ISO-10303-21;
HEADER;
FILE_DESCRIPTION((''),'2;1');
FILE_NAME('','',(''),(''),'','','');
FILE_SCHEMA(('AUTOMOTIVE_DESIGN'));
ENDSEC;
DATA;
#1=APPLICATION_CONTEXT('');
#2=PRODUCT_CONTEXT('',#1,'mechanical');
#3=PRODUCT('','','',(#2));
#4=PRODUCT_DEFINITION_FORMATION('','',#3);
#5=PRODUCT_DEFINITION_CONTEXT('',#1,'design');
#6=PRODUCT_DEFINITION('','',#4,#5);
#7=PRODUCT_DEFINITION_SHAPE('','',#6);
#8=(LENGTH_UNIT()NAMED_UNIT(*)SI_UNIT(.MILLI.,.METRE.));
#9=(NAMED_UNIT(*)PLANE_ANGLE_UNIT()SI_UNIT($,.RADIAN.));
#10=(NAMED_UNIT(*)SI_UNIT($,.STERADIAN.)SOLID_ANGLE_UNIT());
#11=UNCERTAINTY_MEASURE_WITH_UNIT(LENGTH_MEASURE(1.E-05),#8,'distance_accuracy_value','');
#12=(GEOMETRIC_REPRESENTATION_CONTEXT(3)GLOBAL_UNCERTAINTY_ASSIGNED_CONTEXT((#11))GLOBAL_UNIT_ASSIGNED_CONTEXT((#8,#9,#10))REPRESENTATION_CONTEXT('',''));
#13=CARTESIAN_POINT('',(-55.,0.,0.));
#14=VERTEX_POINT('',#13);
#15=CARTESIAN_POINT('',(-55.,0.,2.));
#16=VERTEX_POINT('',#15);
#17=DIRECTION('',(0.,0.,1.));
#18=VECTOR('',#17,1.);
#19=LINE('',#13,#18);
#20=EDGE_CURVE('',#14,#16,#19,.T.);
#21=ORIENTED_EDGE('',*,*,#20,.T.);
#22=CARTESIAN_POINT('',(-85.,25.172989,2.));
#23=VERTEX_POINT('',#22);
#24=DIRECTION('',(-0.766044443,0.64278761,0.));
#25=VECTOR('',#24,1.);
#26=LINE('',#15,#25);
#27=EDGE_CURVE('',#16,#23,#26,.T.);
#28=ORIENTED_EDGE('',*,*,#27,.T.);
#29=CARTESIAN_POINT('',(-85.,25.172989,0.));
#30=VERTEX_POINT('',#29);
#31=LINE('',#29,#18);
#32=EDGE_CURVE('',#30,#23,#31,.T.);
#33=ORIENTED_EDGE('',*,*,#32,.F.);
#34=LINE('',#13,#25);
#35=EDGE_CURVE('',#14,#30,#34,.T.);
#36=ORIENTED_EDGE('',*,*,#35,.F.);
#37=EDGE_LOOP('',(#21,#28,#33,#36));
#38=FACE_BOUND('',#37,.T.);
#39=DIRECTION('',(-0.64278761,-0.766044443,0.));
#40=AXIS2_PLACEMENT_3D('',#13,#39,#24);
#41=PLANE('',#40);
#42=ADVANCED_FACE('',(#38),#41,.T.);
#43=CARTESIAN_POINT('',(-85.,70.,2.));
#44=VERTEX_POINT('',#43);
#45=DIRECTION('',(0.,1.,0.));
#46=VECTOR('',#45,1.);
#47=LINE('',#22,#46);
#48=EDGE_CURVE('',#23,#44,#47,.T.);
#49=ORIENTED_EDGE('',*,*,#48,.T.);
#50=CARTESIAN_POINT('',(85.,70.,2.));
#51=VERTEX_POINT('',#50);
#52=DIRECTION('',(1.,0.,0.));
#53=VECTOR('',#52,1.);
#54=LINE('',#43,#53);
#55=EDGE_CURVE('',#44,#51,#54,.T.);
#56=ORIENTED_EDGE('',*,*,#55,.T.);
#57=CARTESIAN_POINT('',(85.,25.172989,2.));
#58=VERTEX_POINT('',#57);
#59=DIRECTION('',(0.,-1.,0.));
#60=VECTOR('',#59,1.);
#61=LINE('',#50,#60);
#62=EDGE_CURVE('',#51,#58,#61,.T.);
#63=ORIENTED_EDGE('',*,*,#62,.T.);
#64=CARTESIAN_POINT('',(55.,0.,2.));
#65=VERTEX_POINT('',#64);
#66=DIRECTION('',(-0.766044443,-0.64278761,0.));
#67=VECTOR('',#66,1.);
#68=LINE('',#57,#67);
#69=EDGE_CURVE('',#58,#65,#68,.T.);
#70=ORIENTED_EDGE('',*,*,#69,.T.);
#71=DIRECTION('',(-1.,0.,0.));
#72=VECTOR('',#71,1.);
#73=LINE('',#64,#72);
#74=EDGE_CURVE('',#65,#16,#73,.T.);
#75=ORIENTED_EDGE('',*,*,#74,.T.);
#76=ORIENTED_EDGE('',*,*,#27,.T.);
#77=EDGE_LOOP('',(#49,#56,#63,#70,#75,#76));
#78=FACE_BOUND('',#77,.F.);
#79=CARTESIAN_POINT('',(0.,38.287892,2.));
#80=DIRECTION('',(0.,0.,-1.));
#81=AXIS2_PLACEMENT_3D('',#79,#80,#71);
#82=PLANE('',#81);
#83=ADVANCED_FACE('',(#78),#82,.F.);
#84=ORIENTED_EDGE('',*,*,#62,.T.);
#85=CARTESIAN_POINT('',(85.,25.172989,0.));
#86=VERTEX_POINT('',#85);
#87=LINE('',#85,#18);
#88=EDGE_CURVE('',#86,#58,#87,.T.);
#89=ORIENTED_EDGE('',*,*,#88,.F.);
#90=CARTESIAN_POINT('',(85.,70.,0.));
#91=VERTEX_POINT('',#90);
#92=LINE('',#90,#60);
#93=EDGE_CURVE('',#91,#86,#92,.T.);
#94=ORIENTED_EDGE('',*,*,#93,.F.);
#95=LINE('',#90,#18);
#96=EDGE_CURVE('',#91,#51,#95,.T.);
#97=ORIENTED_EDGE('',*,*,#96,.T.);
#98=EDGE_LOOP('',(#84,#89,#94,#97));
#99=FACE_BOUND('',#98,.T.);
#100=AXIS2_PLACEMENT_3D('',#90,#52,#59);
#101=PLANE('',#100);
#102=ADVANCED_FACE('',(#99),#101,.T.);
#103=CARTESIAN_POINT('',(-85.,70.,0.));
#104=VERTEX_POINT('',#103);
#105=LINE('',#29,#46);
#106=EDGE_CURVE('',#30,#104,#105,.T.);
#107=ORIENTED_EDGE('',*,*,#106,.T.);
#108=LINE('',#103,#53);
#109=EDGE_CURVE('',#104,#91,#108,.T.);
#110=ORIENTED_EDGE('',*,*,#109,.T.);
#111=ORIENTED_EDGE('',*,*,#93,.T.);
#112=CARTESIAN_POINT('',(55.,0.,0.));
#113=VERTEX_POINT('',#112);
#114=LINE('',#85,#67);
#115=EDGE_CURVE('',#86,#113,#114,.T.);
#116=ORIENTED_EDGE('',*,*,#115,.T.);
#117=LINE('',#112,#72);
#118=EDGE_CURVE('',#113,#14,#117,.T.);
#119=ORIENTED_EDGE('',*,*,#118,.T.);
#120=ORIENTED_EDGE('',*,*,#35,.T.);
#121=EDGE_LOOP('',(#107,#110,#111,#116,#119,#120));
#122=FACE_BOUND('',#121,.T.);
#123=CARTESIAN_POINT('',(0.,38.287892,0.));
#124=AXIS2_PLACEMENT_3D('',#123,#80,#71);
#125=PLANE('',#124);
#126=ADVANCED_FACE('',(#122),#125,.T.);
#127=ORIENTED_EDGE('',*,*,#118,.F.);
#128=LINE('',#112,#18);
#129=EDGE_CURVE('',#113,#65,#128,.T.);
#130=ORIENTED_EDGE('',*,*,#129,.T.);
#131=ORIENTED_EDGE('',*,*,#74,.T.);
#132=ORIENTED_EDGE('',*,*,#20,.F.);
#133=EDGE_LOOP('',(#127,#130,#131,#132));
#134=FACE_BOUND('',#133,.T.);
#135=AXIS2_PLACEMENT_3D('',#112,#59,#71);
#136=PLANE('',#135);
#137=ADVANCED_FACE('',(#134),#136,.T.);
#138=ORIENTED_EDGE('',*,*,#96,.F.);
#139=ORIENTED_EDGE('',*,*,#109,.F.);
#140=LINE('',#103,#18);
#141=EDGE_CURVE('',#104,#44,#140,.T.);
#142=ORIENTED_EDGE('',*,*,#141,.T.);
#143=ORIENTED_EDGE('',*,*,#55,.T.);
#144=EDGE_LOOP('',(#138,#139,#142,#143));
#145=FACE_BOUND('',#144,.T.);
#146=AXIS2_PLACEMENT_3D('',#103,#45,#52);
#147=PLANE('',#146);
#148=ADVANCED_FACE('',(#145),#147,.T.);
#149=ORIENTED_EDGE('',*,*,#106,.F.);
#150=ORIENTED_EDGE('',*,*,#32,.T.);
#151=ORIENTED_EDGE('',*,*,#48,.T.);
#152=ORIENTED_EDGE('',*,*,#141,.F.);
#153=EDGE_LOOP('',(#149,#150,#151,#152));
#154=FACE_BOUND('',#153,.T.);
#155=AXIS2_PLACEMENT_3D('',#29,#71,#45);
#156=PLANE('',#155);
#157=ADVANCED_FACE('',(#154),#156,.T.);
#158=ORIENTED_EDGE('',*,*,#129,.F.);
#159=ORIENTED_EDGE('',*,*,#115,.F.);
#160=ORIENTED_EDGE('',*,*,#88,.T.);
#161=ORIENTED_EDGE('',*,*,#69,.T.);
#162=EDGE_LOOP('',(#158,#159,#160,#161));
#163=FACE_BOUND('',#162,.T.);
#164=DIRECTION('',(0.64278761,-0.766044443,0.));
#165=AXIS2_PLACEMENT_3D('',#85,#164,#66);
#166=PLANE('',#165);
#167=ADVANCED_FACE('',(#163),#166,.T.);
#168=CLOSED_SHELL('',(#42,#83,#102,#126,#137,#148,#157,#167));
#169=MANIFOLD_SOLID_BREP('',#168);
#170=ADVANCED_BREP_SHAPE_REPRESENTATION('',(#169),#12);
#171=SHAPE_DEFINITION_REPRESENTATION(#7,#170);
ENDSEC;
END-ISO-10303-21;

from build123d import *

# Parameters (mm, degrees)
RESSALTO_EXTRUS_O1_DEPTH = 2


with BuildPart() as part:
    # Esboço1 → Ressalto-extrusão1 (new body)
    with BuildSketch(Plane.XY):
        Polygon((55, 0), (-55, 0), (-85, 25.172988935), (-85, 70), (85, 70), (85, 25.172988935), align=None)
    extrude(amount=RESSALTO_EXTRUS_O1_DEPTH)


solid = part.part
